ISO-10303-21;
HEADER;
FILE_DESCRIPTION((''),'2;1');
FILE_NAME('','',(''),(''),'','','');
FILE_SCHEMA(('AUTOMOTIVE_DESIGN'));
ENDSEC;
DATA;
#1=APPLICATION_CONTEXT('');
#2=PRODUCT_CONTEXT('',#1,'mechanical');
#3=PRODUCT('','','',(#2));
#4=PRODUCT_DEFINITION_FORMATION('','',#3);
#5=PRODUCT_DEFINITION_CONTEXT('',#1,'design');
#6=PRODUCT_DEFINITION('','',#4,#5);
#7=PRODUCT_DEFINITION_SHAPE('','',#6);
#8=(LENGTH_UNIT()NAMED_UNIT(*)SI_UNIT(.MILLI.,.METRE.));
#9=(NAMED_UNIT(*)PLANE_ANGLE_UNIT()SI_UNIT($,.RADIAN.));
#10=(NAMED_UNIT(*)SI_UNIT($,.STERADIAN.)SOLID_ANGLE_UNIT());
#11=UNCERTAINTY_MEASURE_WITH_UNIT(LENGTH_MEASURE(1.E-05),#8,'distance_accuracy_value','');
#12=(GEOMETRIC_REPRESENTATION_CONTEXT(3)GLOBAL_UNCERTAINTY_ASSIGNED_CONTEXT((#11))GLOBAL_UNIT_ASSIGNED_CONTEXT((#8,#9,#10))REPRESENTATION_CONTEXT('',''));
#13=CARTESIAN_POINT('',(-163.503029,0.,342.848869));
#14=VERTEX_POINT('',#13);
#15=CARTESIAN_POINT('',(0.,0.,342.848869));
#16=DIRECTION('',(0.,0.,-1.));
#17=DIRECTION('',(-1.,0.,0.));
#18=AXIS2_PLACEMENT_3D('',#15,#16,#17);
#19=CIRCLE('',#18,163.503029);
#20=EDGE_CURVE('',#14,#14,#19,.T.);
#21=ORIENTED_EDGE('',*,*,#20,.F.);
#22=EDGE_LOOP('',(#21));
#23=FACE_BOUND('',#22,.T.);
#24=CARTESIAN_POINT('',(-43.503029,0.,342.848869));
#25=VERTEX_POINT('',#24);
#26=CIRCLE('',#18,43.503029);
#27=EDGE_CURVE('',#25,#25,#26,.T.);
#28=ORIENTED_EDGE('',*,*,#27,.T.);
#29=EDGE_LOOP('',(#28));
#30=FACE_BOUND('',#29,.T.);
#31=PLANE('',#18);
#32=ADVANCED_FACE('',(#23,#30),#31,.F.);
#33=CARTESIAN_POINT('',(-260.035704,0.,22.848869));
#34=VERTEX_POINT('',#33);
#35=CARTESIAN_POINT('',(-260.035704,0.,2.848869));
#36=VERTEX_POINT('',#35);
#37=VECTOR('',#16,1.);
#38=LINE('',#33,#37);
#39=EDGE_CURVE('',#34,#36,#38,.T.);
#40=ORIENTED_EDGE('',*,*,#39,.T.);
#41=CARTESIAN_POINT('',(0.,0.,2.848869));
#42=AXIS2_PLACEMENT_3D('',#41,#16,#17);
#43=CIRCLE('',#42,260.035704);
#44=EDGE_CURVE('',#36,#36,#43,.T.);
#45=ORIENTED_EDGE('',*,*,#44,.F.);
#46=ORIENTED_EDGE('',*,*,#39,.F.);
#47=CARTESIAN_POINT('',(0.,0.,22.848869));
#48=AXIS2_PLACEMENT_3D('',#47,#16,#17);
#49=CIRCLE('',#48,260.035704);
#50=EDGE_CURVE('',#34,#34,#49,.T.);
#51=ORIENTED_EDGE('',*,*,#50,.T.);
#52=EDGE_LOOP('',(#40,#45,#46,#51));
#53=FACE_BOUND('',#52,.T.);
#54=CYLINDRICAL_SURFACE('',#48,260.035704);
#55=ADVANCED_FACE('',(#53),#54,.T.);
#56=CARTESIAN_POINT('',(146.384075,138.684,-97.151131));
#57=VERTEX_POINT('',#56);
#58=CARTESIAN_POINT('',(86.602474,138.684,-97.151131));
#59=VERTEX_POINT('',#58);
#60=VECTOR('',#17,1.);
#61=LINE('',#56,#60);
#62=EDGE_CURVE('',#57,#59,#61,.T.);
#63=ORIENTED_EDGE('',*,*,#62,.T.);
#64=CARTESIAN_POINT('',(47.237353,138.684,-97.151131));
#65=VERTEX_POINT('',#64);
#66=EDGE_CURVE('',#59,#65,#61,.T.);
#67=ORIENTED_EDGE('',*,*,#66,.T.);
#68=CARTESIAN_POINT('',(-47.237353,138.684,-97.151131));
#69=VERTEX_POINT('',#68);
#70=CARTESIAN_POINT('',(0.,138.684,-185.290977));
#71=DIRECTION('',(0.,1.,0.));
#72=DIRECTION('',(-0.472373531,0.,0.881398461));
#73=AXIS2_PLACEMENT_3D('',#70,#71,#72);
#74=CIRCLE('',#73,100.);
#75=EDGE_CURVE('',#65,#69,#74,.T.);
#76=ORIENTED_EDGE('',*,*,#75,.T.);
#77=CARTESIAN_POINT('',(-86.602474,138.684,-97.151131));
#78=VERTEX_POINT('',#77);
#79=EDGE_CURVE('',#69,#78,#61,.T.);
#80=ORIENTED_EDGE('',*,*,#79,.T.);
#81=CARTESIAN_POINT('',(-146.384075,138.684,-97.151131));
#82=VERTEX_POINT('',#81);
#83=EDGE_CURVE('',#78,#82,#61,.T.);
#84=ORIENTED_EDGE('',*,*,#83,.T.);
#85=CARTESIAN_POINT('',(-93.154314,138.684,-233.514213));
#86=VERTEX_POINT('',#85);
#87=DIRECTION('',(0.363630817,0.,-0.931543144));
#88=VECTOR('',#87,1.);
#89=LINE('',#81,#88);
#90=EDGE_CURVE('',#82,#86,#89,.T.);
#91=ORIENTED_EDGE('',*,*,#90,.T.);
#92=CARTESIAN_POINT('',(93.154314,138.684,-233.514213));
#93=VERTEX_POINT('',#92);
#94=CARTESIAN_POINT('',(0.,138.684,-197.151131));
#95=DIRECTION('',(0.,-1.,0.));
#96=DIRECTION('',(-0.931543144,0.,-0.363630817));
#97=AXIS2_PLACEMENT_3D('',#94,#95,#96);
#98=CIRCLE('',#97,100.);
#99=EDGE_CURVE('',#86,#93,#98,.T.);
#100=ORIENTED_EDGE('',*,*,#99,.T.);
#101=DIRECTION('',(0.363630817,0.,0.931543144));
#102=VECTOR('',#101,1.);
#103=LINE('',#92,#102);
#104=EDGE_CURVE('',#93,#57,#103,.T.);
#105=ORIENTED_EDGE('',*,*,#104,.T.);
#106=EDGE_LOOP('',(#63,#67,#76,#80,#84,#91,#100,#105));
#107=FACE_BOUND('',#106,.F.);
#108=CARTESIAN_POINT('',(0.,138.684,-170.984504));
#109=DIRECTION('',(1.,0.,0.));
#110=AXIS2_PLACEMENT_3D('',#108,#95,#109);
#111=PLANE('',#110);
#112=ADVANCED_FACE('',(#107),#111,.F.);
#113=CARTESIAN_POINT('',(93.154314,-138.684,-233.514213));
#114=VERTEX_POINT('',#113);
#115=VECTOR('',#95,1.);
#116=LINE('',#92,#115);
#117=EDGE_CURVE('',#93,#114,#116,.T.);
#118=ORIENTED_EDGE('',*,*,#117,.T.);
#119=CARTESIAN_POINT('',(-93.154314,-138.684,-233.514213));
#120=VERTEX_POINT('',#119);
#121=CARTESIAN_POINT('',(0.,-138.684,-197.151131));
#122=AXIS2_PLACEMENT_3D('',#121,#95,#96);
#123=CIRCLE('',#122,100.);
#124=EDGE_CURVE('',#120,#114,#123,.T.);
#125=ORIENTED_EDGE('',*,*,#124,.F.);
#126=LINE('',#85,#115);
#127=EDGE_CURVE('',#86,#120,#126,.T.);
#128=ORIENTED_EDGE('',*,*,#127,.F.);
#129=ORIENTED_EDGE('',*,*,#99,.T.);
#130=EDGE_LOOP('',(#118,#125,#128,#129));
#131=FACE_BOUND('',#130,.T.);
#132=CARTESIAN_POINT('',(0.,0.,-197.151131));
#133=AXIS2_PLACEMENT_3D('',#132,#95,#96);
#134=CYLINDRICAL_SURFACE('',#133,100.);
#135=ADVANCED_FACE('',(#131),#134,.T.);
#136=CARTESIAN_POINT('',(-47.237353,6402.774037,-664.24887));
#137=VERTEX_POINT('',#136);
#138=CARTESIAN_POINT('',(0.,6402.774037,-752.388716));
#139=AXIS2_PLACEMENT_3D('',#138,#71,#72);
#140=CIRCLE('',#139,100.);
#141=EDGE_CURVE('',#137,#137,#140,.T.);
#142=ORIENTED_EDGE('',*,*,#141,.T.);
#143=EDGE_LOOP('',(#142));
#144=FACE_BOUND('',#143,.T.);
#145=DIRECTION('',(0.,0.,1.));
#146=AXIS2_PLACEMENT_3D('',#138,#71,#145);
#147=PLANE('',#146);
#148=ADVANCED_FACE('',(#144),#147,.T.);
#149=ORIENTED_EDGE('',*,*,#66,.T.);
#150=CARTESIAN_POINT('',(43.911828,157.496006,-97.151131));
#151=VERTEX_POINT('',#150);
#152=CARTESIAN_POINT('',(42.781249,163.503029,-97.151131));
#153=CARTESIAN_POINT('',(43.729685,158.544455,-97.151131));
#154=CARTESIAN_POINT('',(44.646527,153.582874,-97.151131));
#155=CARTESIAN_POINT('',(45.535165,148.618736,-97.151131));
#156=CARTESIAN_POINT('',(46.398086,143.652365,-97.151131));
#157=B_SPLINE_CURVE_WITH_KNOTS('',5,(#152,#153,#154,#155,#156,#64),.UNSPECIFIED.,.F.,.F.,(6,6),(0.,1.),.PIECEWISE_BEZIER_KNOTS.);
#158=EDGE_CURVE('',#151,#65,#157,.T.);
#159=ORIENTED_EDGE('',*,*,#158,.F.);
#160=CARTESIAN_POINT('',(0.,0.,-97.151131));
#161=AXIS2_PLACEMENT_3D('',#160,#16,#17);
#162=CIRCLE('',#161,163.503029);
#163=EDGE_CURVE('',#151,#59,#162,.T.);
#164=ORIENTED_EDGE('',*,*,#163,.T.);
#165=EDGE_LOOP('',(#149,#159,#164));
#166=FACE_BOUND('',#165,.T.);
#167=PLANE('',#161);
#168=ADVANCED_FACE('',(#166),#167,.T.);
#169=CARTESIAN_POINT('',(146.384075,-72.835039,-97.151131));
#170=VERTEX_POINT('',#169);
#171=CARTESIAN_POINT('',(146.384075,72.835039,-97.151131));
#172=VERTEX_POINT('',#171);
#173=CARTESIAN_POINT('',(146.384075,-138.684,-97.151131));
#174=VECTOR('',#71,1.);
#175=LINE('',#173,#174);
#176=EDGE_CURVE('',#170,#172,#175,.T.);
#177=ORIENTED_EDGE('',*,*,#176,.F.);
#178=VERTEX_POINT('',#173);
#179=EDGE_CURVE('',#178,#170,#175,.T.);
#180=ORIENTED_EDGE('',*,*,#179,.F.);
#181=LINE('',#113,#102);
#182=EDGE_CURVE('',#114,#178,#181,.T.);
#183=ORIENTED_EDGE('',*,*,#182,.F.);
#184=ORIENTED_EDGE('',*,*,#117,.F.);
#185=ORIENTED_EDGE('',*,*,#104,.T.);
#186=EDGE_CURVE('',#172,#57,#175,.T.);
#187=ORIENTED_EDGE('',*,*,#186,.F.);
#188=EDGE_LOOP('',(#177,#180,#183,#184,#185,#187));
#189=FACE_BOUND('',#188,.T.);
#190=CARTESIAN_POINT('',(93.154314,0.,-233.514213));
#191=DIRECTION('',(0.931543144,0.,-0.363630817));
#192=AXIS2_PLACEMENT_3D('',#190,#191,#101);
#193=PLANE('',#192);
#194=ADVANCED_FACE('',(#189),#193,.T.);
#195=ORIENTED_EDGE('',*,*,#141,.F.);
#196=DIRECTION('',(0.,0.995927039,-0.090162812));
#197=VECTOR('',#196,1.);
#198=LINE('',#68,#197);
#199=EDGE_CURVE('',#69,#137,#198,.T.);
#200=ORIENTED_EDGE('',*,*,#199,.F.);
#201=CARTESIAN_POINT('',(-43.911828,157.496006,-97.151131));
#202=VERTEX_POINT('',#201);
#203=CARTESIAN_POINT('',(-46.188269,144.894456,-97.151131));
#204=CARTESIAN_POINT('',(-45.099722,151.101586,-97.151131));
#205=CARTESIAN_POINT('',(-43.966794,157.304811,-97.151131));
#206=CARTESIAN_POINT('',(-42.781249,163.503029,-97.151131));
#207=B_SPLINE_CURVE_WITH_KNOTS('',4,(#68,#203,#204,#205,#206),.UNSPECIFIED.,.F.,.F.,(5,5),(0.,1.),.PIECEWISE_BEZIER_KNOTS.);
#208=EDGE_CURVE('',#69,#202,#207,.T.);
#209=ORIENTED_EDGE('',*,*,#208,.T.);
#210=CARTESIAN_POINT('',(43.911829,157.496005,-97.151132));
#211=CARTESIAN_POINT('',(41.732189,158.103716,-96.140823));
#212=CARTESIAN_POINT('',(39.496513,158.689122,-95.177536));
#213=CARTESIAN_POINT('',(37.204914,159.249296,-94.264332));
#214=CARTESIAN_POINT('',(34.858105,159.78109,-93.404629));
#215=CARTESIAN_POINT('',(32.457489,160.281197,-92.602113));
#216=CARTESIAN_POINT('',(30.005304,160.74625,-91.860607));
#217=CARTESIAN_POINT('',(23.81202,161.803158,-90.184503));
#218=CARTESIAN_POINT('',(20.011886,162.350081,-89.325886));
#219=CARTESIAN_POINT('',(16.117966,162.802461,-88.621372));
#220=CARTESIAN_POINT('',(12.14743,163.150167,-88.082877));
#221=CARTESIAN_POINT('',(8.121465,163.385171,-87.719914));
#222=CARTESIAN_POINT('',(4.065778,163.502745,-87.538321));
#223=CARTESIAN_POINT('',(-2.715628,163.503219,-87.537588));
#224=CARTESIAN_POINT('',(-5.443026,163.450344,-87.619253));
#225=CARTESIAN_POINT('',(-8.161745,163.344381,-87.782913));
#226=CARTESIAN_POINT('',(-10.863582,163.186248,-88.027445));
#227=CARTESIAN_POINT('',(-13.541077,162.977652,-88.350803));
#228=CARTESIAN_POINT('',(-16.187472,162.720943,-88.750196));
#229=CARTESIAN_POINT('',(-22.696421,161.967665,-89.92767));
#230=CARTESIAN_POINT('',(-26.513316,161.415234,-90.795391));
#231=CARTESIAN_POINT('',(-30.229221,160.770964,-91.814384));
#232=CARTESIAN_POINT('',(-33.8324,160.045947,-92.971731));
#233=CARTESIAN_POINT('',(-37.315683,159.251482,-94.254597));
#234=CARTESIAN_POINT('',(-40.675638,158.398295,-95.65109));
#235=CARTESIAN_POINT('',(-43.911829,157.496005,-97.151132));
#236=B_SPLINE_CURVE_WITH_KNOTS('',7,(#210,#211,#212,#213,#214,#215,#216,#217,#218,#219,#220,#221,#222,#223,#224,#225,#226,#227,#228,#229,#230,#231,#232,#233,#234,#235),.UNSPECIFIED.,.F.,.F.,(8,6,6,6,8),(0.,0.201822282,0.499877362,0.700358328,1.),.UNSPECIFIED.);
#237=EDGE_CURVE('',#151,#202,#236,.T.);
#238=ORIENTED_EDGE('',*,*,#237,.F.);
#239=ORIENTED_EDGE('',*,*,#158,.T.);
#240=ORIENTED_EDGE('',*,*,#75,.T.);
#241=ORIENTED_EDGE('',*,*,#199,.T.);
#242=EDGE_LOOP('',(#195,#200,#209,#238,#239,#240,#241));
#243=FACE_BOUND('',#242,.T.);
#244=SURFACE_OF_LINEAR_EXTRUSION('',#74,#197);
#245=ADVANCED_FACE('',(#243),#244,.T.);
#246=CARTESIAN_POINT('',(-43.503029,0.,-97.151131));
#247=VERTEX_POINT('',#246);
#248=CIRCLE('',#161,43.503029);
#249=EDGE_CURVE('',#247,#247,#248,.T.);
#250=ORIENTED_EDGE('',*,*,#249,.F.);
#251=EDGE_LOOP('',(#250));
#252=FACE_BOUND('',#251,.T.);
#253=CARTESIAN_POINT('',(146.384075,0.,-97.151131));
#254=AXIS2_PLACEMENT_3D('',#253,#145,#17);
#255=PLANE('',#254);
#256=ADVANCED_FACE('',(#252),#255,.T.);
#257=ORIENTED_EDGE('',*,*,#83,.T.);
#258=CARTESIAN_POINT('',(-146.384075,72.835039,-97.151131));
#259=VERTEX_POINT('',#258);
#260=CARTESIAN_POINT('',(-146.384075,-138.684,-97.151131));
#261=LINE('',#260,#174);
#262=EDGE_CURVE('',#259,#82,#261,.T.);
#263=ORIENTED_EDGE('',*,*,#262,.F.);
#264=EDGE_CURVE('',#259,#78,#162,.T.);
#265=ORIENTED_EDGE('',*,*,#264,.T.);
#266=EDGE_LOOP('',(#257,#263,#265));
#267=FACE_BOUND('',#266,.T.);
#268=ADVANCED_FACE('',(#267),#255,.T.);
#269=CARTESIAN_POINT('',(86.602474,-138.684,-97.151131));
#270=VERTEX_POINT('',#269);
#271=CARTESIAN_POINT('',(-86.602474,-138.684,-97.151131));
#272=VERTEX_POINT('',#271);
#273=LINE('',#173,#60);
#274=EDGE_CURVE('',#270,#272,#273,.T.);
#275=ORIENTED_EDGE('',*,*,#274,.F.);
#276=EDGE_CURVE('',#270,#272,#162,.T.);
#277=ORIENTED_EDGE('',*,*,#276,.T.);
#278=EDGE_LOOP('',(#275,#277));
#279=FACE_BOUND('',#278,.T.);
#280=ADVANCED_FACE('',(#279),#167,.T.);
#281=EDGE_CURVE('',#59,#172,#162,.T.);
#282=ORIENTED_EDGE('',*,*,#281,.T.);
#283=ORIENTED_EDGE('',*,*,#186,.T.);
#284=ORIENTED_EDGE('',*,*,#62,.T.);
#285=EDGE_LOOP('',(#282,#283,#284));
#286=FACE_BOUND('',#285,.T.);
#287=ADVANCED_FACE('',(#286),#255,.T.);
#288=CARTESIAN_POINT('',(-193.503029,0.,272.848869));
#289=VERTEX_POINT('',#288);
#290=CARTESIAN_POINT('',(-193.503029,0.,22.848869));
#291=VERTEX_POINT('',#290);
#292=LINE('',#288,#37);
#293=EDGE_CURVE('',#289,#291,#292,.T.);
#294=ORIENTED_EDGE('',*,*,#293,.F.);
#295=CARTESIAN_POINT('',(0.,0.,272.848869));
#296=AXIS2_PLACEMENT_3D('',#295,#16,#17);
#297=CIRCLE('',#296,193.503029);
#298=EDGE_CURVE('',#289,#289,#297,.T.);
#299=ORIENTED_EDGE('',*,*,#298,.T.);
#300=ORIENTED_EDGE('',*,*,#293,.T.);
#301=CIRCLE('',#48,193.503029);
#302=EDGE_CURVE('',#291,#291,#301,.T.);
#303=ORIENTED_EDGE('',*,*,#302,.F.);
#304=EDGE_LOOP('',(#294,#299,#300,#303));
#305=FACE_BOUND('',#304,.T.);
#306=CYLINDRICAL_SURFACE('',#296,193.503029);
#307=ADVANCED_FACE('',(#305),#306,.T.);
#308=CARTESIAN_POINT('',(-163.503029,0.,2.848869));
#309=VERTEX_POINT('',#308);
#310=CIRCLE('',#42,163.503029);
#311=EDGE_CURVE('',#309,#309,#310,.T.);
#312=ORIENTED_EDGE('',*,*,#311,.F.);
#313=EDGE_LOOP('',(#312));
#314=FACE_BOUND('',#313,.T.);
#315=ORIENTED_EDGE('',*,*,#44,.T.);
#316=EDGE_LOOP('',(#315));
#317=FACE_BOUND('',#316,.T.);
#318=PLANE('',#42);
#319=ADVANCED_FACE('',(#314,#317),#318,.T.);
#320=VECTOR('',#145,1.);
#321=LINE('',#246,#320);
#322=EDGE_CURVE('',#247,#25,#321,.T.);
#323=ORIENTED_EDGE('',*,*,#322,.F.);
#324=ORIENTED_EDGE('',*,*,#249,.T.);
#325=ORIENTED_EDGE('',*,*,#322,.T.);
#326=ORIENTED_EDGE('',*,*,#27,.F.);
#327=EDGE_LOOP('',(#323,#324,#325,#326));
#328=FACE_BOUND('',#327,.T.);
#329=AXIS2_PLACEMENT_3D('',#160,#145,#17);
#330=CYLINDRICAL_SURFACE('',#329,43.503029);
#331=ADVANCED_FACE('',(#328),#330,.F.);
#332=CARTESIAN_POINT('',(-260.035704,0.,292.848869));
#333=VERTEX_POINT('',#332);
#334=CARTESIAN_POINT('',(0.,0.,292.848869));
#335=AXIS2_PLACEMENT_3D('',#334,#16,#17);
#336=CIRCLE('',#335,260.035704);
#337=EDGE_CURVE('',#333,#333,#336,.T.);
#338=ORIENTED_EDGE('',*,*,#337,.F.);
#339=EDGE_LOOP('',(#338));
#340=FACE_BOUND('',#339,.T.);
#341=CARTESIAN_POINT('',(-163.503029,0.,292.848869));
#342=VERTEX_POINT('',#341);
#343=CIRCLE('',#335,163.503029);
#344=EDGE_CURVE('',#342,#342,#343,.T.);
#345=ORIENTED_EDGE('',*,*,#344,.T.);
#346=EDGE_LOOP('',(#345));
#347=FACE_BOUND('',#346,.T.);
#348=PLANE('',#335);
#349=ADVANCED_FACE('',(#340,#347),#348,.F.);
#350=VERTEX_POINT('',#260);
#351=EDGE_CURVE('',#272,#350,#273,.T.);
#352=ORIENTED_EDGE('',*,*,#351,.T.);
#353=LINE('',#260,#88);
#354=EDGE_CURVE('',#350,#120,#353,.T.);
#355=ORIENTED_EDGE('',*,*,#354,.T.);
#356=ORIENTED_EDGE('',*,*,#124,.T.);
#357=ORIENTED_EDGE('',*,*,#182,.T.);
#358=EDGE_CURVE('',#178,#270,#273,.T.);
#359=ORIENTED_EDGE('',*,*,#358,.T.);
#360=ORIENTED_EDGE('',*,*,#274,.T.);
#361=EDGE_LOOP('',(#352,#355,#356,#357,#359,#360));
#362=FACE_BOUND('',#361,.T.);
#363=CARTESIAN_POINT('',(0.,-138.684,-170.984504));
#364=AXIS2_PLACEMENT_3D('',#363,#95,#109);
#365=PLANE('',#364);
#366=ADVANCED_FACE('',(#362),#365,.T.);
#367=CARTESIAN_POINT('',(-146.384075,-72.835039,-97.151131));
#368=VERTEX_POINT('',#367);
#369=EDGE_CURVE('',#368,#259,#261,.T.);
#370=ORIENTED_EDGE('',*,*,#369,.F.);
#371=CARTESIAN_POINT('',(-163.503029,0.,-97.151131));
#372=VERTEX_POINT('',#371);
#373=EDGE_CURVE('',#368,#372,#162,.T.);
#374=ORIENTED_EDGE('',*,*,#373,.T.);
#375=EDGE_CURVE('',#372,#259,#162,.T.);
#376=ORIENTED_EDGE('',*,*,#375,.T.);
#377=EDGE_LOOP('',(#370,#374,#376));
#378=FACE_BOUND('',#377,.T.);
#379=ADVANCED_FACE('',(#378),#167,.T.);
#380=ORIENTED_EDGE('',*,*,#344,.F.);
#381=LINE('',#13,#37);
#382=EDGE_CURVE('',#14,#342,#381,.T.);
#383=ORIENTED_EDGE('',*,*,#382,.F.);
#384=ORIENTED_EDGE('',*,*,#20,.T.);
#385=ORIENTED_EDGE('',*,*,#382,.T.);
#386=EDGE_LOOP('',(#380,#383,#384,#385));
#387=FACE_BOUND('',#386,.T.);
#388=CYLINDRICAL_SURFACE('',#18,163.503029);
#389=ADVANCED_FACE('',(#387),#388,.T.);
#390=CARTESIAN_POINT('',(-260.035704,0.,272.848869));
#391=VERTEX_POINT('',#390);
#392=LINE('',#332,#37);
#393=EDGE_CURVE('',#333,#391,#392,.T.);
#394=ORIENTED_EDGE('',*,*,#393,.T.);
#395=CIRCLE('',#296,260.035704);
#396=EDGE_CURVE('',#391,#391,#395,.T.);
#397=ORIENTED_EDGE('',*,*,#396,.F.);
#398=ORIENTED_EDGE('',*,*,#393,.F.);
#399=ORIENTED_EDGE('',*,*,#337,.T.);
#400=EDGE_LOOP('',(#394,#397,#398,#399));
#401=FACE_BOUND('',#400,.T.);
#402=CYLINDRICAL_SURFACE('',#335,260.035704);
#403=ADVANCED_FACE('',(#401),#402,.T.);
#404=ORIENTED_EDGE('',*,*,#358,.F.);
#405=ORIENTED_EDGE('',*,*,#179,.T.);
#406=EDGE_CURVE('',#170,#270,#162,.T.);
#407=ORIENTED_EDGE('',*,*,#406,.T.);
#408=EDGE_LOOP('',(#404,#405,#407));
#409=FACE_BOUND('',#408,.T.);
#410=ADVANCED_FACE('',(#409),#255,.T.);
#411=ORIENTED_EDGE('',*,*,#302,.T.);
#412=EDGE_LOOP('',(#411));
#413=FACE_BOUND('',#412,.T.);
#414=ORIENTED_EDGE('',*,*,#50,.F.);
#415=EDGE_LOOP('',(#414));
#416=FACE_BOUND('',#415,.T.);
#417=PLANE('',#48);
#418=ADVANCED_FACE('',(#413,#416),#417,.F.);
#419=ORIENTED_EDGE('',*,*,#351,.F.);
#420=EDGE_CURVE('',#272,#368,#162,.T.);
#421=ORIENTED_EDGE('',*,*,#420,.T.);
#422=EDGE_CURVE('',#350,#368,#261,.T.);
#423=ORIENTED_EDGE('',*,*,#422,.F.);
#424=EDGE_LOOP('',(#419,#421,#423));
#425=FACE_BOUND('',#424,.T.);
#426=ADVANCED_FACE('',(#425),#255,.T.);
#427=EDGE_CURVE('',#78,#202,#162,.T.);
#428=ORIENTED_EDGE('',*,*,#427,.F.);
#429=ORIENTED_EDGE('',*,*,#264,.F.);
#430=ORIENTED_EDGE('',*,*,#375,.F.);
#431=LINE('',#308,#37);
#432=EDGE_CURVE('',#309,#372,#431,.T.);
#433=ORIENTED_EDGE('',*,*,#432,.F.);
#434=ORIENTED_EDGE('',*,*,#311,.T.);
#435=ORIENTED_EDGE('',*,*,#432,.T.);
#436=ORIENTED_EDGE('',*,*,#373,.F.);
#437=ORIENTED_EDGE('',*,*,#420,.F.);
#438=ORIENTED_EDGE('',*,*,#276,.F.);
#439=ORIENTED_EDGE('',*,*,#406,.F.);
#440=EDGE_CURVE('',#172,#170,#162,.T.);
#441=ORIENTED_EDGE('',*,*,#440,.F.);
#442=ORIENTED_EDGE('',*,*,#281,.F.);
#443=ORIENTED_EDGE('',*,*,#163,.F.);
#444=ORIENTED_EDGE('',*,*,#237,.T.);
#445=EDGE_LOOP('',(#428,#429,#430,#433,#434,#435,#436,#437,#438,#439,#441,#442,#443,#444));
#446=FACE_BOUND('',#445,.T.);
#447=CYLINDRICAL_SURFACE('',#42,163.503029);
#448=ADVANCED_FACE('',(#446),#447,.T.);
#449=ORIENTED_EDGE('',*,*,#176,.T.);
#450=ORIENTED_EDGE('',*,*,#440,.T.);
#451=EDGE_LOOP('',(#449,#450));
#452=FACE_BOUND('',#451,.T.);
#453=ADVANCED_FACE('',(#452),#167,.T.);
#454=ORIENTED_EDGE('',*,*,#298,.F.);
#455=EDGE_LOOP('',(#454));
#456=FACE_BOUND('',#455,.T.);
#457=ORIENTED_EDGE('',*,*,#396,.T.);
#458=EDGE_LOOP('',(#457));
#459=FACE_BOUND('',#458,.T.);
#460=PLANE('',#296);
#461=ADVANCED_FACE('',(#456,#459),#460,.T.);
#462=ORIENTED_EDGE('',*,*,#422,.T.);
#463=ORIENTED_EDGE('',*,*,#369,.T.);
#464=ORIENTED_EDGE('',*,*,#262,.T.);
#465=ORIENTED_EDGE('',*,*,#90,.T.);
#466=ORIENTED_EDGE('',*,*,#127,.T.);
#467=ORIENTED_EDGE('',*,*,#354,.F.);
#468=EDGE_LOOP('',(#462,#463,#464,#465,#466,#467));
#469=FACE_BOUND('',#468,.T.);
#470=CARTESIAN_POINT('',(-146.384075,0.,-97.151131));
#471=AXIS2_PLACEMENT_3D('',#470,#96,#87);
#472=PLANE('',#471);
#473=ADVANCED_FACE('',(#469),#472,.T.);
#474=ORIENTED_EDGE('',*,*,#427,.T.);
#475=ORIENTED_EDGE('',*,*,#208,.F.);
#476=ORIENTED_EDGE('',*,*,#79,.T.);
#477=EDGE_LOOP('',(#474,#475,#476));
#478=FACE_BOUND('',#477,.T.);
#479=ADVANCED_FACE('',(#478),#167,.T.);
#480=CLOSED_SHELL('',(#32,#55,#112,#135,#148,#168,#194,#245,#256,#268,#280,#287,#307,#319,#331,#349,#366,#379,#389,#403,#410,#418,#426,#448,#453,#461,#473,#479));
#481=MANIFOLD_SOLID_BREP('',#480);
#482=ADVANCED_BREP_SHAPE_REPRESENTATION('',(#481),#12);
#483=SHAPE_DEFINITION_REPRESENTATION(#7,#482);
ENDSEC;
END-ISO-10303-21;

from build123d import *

# Parameters (mm, degrees)
F3_DEPTH = 138.684


with BuildPart() as f1:
    # F0 (on Front) → F1 (revolve)
    with BuildSketch(Plane.XZ):
        Polygon((-43.5030287504, -97.1511312574), (-43.5030287504, 342.8488687426), (-163.5030287504, 342.8488687426), (-163.5030287504, 292.8488687426), (-260.0357037038, 292.8488687426), (-260.0357037038, 272.8488687426), (-193.5030287504, 272.8488687426), (-193.5030287504, 22.8488687426), (-260.0357037038, 22.8488687426), (-260.0357037038, 2.8488687426), (-163.5030287504, 2.8488687426), (-163.5030287504, -97.1511312574), align=None)
    revolve(axis=Axis((0, 0, 46.6200804068), (0, 0, -1)))

    # F2 (on Front) → F3 (join, symmetric)
    with BuildSketch(Plane.XZ):
        with BuildLine():
            Line((-146.384075284, -97.1511312574), (-93.1543143876, -233.5142129609))
            ThreePointArc((-93.1543143876, -233.5142129609), (0, -297.1511312574), (93.1543143876, -233.5142129609))
            Line((93.1543143876, -233.5142129609), (146.384075284, -97.1511312574))
            Line((146.384075284, -97.1511312574), (-146.384075284, -97.1511312574))
        make_face()
    extrude(amount=F3_DEPTH, both=True)

    # F7: sweep along a path in F5
    with BuildLine(Plane.YZ) as f7_path:
        Line((176.0368590823, -185.2909773588), (6440.1268959045, -752.388715744))
    # F6 (on face) → F7 (sweep)
    with BuildSketch(Plane(origin=(0, 138.684, 0), x_dir=(-1, 0, 0), z_dir=(0, 1, 0))):
        with BuildLine():
            Line((-47.237353114, -97.1511312574), (47.237353114, -97.1511312574))
            ThreePointArc((47.237353114, -97.1511312574), (0, -85.2909773588), (-47.237353114, -97.1511312574))
        make_face()
        with BuildLine():
            ThreePointArc((-47.237353114, -97.1511312574), (-51.3627524992, -271.0923040135), (100, -185.2909773588))
            ThreePointArc((100, -185.2909773588), (85.8013266547, -133.9282248596), (47.237353114, -97.1511312574))
            Line((47.237353114, -97.1511312574), (-47.237353114, -97.1511312574))
        make_face()
    sweep(path=f7_path.line)


solid = f1.part
